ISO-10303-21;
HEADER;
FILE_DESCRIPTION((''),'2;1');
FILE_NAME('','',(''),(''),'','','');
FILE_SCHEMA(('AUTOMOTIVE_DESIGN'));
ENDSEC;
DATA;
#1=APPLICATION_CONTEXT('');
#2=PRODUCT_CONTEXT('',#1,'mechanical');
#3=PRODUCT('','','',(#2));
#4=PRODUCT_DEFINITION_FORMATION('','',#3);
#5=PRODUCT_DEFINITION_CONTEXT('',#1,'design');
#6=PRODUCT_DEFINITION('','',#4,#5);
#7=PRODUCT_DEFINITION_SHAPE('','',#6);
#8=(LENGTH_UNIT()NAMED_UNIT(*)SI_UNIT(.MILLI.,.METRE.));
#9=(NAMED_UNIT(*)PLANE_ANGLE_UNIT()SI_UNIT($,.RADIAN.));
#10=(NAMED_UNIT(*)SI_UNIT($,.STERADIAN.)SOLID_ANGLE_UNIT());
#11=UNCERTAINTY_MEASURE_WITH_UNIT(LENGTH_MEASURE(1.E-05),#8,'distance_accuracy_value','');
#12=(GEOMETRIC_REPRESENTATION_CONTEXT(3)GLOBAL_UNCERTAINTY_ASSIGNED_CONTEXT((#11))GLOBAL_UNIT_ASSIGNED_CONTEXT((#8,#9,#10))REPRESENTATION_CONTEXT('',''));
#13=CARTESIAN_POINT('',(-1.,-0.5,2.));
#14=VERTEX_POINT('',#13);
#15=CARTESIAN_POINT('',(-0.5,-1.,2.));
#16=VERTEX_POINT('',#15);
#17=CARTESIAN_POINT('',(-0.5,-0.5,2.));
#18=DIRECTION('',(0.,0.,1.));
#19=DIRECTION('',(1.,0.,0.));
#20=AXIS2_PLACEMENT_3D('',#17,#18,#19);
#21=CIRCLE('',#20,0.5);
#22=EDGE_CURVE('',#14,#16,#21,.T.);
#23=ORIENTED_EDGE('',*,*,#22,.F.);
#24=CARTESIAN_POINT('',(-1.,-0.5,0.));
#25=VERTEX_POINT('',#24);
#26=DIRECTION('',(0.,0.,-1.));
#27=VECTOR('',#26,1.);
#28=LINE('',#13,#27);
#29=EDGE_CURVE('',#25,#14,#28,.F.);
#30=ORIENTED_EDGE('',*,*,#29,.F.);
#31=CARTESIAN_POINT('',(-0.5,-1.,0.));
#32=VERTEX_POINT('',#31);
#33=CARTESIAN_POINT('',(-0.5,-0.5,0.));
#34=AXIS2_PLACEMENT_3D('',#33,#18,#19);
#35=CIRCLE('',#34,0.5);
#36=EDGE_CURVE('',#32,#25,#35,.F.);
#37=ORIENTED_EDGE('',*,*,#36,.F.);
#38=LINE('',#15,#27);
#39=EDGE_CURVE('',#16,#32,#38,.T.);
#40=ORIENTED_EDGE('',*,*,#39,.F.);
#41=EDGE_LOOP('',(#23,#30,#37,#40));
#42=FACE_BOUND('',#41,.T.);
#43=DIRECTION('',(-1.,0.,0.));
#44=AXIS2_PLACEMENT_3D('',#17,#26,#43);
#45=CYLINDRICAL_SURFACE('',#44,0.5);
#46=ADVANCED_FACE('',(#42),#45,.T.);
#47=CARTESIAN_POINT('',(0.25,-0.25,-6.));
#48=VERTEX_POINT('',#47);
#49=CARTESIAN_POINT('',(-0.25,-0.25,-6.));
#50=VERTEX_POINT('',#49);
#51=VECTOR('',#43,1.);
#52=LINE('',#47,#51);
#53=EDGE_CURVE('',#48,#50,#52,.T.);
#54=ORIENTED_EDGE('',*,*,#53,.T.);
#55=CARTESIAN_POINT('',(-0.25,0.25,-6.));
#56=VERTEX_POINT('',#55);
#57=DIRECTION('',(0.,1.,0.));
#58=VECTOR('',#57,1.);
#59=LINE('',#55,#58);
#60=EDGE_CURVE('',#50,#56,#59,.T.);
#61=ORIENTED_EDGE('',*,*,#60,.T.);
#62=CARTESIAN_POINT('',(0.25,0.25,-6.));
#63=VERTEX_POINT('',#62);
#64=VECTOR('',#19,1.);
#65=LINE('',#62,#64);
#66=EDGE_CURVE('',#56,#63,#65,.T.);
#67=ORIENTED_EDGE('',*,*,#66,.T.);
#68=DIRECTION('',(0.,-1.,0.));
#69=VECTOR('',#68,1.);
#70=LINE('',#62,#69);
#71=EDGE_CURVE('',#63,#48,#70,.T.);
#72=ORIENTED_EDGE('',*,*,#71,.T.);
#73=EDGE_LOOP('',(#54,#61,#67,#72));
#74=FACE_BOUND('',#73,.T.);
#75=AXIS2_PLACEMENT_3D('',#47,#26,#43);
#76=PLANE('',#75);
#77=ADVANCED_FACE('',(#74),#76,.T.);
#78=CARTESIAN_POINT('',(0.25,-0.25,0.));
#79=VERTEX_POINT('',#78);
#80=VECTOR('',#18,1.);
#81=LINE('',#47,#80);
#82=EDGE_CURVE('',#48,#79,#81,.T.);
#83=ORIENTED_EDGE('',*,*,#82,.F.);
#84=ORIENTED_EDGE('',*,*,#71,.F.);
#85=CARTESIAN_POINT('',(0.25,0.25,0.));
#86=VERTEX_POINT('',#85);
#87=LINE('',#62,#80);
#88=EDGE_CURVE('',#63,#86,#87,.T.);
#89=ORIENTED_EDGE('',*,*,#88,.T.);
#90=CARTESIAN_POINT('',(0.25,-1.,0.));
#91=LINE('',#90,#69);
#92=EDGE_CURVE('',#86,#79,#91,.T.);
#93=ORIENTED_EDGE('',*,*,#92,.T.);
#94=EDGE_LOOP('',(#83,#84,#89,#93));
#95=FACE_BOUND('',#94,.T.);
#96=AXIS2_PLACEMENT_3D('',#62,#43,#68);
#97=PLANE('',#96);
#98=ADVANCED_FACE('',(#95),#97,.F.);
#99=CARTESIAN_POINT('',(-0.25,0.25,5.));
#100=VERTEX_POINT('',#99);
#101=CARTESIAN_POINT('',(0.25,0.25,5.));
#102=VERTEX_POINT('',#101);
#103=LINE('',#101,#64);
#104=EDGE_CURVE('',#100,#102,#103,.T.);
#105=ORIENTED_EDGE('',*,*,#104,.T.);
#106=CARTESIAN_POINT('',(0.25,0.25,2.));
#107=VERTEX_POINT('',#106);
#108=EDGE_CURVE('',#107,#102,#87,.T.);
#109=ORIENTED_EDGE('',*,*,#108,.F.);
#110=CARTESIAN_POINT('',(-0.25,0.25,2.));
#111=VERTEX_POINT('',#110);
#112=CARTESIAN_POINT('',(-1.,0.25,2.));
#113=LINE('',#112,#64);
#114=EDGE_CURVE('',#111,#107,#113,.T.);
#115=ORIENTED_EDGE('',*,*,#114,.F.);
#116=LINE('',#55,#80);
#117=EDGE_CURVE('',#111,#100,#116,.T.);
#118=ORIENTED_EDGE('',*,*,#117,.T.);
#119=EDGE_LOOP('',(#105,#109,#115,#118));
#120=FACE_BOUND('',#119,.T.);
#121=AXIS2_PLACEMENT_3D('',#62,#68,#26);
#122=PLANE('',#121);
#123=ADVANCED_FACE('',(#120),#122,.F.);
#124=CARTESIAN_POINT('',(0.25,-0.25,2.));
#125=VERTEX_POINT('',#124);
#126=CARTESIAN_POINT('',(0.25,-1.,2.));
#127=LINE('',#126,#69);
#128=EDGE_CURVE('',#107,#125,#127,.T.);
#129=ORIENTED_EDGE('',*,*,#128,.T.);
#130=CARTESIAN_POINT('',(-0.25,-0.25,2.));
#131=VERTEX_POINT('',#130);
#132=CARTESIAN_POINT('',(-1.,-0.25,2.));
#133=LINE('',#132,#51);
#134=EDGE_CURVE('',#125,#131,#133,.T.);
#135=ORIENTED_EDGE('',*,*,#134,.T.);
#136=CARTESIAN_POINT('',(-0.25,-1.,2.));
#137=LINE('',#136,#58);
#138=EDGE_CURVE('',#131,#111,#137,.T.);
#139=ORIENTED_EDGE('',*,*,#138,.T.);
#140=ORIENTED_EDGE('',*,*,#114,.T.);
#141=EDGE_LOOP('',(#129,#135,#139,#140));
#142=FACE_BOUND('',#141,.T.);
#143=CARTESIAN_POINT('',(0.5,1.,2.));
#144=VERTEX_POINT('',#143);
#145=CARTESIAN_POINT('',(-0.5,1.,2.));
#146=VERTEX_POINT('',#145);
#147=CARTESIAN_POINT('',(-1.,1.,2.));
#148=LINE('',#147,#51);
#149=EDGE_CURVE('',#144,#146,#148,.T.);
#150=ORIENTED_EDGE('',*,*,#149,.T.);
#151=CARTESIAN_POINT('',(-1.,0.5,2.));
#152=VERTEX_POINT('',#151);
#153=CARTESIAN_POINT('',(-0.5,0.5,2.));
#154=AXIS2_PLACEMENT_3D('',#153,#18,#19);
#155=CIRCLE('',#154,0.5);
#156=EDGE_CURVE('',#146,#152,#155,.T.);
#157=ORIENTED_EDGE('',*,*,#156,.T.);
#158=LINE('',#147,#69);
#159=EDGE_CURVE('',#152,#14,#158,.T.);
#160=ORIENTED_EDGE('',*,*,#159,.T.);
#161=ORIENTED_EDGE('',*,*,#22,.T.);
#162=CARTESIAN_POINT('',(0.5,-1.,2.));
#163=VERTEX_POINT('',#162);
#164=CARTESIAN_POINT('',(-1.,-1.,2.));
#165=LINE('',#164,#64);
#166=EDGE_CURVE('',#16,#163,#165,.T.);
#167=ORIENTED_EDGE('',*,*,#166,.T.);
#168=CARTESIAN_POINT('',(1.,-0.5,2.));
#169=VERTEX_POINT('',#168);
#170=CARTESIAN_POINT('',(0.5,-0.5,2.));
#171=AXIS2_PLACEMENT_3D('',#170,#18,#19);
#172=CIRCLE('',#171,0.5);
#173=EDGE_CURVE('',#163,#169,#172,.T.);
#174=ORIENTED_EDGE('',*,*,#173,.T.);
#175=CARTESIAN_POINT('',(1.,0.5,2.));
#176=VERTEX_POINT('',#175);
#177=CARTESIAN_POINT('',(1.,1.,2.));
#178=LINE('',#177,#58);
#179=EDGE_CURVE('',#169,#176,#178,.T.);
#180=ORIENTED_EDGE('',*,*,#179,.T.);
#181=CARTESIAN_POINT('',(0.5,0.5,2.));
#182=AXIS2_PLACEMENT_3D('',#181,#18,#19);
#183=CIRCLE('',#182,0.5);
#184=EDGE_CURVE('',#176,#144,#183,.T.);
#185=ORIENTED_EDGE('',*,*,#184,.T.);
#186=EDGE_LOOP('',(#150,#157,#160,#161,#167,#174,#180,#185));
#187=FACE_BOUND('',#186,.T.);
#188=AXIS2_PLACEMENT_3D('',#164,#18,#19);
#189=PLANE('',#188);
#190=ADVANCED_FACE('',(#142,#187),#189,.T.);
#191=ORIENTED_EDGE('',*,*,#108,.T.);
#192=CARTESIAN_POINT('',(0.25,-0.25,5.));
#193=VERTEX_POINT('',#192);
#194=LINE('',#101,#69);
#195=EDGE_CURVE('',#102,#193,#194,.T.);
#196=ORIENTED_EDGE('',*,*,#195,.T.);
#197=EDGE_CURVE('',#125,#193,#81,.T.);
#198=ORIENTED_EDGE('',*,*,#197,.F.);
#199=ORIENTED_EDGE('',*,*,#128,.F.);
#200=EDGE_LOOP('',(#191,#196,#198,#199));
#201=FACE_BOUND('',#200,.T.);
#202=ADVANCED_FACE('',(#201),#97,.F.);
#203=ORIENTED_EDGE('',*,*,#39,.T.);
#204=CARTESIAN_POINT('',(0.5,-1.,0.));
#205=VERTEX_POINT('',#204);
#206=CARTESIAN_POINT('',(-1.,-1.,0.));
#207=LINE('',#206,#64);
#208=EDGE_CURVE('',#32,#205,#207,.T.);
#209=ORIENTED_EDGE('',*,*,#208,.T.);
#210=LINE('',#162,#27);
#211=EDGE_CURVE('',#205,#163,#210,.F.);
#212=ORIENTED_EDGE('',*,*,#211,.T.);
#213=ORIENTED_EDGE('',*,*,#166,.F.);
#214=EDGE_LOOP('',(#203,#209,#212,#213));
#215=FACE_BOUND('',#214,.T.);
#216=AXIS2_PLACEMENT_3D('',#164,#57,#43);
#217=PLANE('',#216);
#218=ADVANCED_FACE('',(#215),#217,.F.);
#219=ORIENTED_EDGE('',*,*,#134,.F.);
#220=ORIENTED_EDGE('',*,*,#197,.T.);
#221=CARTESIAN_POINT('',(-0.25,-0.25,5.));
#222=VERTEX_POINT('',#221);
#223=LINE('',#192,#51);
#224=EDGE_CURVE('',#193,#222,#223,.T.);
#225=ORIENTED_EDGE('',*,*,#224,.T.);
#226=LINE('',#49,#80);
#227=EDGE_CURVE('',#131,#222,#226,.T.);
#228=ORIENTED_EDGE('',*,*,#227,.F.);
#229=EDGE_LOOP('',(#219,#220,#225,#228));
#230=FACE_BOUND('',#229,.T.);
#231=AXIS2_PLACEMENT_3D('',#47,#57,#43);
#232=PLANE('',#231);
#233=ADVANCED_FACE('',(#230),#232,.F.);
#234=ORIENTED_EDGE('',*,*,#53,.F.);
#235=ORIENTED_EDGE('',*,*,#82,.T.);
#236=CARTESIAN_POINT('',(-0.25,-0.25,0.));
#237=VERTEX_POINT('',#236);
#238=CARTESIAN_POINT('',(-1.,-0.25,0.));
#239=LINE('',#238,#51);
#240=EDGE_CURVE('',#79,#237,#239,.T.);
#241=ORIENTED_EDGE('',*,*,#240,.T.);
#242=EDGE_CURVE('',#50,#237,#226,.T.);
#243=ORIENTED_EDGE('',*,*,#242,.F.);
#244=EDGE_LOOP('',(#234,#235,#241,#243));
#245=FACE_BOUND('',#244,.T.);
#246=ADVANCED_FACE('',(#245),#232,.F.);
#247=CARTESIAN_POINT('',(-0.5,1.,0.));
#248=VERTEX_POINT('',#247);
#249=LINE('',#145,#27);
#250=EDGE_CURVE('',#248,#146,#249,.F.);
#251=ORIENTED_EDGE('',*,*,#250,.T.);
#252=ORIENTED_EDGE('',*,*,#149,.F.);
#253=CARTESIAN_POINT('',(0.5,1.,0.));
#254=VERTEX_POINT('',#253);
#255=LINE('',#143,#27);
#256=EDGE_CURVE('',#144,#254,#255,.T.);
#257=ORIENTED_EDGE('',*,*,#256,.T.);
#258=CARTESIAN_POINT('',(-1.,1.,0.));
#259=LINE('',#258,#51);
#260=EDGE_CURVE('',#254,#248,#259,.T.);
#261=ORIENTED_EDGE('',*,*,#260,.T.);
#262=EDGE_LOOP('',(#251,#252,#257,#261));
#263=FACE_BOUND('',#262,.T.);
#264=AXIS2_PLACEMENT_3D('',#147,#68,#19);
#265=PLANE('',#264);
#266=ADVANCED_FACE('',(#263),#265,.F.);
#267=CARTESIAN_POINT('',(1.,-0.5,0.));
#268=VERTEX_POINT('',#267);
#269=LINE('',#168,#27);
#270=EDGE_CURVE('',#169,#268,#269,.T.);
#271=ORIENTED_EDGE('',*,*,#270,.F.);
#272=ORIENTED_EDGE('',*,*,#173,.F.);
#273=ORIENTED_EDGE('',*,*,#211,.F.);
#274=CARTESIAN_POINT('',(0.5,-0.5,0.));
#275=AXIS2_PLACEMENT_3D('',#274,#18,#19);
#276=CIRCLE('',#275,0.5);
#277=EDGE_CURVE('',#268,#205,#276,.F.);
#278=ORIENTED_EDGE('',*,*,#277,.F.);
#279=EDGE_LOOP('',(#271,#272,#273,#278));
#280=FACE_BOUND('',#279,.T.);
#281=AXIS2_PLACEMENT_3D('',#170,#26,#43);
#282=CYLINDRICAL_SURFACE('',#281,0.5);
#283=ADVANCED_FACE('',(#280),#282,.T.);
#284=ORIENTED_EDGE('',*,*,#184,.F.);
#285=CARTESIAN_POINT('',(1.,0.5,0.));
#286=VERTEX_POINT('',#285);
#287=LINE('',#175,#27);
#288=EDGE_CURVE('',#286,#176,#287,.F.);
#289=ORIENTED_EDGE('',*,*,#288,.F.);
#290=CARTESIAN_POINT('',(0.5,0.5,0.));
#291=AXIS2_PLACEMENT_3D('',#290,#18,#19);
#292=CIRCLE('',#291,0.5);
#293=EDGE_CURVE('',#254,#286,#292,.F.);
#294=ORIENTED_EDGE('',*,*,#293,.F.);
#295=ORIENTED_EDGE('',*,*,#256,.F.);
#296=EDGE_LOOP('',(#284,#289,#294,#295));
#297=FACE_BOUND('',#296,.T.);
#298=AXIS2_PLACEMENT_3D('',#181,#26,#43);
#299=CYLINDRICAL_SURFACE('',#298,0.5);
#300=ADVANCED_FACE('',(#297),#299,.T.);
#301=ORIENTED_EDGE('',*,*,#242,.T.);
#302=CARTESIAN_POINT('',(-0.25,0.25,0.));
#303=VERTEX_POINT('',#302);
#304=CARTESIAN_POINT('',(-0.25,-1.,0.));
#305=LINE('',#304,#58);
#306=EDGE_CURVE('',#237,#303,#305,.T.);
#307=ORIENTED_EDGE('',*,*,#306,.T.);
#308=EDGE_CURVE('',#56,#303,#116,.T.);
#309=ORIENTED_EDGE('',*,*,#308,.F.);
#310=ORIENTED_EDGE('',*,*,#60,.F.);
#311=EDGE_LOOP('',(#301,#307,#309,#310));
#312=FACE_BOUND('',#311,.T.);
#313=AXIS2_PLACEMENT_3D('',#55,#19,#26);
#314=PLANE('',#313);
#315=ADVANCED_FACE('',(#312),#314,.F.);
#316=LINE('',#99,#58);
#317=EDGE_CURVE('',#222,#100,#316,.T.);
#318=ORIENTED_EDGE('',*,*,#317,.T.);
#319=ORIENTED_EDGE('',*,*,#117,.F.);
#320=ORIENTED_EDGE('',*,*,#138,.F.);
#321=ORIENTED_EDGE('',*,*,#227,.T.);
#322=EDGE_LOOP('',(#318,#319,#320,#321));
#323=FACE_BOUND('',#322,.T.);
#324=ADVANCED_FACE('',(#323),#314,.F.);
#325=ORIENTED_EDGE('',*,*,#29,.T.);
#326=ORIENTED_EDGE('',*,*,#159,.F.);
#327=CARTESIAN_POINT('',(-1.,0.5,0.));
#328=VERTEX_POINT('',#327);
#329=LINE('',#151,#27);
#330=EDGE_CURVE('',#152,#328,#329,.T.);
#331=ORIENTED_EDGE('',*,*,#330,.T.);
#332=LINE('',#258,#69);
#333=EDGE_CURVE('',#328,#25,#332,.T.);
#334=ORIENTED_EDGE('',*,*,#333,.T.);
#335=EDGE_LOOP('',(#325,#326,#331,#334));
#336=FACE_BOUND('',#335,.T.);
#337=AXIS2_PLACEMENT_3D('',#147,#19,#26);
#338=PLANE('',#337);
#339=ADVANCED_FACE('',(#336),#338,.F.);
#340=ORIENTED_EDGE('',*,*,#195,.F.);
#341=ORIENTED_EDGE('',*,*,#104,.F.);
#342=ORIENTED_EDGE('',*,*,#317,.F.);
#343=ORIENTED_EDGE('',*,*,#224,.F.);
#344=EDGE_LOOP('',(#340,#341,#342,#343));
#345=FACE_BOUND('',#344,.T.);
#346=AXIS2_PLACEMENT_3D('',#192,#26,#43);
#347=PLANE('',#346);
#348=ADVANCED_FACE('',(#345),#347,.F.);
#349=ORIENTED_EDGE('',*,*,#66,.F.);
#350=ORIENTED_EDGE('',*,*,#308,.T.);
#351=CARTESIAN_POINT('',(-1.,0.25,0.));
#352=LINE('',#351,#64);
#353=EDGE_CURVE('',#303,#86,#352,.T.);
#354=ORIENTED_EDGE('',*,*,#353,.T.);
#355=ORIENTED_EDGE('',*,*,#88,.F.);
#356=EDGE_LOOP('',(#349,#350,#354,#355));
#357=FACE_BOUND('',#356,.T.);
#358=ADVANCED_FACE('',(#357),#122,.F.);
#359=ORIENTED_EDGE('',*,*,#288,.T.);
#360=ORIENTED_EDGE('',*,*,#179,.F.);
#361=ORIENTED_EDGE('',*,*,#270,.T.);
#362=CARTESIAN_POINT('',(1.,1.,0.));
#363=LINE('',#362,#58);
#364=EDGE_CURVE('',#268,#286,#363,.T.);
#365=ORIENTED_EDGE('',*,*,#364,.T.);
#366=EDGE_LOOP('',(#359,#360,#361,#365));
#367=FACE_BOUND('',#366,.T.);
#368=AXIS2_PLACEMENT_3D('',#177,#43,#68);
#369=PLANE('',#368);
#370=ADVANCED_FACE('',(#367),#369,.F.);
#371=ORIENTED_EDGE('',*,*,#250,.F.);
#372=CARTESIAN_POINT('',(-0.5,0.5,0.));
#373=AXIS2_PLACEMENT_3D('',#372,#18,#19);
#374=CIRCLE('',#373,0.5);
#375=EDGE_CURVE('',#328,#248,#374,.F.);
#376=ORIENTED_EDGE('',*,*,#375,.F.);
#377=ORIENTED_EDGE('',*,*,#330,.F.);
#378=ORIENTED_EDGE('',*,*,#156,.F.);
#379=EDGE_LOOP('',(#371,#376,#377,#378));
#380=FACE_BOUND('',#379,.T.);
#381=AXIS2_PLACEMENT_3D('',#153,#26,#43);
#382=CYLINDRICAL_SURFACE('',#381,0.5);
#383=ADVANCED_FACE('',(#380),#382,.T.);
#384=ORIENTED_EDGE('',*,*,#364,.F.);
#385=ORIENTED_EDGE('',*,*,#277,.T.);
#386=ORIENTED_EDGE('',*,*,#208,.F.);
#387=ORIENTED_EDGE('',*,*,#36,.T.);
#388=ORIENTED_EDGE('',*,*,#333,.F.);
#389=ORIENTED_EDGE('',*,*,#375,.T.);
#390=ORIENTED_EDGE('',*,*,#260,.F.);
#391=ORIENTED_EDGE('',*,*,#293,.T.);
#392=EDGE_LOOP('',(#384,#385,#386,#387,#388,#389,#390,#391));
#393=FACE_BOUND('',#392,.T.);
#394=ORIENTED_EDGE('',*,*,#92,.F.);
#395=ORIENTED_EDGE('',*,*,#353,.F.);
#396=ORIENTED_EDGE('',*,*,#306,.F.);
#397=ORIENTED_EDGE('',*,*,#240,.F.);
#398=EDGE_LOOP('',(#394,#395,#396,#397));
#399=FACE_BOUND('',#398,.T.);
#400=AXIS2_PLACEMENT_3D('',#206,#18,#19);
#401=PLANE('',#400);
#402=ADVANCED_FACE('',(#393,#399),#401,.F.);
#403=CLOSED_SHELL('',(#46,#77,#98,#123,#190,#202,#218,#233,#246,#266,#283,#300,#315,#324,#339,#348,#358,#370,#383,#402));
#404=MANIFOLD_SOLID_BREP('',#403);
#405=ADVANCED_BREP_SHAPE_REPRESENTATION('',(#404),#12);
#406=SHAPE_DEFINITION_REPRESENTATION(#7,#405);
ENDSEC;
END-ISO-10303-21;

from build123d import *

# Parameters (mm, degrees)
SKETCH_1_W      = 2
SKETCH_1_H      = 2
EXTRUDE_1_DEPTH = 2
SKETCH_2_W      = 0.5
SKETCH_2_H      = 0.5
FILLET_1_R      = 0.5


with BuildPart() as part:
    # 草图1 → 拉伸1 (new body)
    with BuildSketch(Plane.XY):
        Rectangle(SKETCH_1_W, SKETCH_1_H)
    extrude(amount=EXTRUDE_1_DEPTH)

    # 扫描1: sweep along a path in 草图3
    with BuildLine(Plane(origin=(0, 0, 0), x_dir=(0, 0, -1), z_dir=(1, 0, 0))) as sweep_1_path:
        Line((-5, -0.28), (6, -0.28))
    # 草图2 → 扫描1 (sweep)
    with BuildSketch(Plane(origin=(0, 0, 5), x_dir=(-1, 0, 0), z_dir=(0, 0, -1))):
        Rectangle(SKETCH_2_W, SKETCH_2_H)
    sweep(path=sweep_1_path.line)

    # 圆角1
    fillet_1_edges = [part.edges().sort_by_distance(p)[0] for p in [
        (-1, 1, 1),
        (1, 1, 1),
        (1, -1, 1),
        (-1, -1, 1),
    ]]
    fillet(fillet_1_edges, radius=FILLET_1_R)


solid = part.part
